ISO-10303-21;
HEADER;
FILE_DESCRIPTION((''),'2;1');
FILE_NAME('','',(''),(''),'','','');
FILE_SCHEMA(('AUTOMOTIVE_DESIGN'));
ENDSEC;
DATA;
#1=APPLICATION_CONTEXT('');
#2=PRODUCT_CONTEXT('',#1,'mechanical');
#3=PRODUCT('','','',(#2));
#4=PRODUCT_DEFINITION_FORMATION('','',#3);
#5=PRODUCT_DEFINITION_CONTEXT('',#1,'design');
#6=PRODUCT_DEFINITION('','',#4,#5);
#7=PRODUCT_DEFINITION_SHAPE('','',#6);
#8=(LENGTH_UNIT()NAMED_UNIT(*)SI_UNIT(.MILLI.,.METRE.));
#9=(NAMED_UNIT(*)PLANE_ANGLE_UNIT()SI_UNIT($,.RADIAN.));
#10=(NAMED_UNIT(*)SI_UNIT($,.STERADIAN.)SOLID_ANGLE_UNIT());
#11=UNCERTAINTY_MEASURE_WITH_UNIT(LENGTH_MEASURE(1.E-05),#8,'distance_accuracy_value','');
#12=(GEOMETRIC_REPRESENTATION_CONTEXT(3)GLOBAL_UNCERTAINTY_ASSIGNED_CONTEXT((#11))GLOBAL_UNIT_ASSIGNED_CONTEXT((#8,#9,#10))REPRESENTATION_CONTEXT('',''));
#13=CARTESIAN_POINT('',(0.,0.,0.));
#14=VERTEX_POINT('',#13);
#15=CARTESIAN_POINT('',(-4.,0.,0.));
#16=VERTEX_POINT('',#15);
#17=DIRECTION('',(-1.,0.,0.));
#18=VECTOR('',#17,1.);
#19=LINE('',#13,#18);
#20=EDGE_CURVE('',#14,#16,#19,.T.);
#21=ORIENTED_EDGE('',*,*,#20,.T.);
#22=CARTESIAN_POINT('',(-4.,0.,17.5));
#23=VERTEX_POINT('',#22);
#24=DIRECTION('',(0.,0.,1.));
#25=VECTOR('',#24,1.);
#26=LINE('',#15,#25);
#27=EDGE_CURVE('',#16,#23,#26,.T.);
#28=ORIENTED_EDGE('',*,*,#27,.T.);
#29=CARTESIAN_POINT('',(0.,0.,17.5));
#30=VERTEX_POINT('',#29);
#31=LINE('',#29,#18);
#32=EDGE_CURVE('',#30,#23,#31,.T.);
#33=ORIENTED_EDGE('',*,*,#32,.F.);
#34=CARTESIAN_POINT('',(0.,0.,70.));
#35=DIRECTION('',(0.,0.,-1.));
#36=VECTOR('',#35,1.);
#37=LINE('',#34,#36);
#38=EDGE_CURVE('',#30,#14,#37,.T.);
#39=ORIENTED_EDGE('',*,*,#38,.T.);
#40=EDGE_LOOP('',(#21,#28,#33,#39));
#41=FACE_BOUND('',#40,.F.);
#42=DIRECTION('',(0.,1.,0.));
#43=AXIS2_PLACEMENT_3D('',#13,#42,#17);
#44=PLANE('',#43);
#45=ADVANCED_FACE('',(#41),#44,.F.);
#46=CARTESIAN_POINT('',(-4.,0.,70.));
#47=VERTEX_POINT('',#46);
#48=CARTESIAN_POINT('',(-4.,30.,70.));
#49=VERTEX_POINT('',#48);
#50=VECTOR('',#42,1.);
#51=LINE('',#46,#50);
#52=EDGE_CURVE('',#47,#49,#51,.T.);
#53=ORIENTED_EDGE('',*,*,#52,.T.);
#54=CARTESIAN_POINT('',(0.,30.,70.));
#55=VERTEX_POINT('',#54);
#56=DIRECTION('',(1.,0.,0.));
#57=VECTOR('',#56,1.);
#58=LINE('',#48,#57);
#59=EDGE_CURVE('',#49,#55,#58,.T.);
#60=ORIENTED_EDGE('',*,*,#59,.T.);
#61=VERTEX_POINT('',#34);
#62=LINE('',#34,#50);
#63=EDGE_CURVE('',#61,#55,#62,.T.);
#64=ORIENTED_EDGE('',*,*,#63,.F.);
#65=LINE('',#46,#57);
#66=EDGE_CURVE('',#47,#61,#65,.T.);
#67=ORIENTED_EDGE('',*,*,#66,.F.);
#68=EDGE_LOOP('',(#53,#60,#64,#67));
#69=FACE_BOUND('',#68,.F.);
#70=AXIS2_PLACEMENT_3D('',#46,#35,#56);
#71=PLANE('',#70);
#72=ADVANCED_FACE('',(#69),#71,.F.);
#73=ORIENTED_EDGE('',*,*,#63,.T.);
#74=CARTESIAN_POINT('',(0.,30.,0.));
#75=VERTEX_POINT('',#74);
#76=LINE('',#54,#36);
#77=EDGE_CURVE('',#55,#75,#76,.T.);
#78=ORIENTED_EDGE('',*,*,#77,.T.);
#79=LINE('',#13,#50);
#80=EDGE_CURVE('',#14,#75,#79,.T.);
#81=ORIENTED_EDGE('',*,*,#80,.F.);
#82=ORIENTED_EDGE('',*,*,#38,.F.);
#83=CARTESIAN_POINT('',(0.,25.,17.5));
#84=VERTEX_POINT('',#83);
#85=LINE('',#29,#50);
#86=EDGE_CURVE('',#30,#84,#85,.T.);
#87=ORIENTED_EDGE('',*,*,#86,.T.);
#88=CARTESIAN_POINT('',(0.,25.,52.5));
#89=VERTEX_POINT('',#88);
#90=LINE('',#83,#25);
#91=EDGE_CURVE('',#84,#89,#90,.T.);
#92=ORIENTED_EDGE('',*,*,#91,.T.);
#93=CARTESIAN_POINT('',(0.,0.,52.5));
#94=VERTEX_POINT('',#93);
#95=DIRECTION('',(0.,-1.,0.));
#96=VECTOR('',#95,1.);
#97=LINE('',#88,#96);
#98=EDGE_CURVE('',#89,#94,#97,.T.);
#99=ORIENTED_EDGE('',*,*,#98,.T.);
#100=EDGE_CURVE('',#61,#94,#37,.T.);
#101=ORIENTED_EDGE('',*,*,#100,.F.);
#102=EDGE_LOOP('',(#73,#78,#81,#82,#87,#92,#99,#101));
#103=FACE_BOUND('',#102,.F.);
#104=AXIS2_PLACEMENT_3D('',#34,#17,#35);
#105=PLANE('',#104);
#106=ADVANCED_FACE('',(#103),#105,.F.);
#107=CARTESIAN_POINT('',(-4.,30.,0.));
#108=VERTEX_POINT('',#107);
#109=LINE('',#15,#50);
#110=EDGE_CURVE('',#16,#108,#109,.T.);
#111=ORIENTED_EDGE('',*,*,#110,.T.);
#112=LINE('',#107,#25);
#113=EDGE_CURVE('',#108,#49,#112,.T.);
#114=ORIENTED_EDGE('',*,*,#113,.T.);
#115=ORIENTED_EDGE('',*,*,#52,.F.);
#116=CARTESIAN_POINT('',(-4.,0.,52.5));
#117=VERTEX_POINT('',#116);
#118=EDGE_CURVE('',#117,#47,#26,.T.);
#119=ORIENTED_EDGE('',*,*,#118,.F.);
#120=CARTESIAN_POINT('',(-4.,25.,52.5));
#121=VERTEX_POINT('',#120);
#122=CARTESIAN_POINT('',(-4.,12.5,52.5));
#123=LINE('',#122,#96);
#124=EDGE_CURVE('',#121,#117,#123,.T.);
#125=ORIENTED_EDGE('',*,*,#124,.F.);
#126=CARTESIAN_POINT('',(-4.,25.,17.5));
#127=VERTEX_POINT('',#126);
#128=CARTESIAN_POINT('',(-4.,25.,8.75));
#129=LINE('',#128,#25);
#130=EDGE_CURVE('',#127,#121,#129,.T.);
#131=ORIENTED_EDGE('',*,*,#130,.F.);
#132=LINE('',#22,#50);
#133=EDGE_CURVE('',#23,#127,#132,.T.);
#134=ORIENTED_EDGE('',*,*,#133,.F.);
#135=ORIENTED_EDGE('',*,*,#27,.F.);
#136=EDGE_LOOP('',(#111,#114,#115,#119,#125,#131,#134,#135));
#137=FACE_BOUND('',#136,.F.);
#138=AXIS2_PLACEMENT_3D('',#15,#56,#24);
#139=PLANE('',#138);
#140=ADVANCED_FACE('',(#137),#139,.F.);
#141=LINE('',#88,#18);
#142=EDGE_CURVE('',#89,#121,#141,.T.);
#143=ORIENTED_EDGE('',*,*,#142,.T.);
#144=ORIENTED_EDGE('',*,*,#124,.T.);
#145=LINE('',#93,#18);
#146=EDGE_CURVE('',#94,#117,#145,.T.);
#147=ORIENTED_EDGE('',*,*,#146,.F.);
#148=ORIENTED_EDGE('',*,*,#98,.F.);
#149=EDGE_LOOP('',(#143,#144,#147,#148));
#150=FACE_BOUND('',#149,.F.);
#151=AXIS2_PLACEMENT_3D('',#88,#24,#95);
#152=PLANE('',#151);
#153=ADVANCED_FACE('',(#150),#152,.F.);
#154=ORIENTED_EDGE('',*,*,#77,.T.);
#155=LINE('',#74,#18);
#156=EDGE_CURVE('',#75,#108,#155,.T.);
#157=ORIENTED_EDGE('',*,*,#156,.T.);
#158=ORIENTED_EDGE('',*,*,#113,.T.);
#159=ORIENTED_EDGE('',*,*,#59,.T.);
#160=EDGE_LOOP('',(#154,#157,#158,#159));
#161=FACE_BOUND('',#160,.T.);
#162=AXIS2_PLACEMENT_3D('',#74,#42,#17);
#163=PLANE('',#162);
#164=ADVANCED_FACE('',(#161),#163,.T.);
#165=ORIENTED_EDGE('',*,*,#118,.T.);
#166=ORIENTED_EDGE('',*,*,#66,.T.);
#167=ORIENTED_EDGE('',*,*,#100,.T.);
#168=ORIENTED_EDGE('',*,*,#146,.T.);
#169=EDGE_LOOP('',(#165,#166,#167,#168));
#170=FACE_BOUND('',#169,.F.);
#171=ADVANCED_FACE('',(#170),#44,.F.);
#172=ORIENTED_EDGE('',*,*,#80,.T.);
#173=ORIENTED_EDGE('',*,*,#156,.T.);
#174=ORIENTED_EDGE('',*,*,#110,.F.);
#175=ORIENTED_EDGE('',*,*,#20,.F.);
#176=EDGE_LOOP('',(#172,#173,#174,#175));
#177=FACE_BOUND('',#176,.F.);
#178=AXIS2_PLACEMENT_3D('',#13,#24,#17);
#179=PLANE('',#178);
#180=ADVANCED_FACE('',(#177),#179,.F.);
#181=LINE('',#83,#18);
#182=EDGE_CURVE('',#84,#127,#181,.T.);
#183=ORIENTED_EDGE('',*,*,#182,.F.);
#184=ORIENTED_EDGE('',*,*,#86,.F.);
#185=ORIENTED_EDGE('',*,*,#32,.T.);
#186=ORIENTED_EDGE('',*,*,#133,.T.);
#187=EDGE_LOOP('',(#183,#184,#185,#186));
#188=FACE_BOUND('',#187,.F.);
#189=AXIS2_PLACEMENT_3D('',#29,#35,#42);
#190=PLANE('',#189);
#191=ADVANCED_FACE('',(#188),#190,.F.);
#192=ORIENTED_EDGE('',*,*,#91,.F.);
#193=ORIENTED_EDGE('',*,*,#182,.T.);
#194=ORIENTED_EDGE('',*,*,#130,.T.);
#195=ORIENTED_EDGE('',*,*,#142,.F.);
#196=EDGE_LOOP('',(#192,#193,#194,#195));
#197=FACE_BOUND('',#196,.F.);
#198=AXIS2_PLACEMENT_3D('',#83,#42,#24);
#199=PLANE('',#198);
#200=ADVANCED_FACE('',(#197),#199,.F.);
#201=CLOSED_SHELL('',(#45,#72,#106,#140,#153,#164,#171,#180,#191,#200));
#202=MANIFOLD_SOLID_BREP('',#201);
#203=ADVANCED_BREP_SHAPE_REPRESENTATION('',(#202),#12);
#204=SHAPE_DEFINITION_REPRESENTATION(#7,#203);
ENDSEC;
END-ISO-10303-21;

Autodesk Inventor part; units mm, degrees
ref_plane "YZ Plane" through (0, 0, 0) normal (1, 0, 0) x (0, 1, 0)
ref_plane "XZ Plane" through (0, 0, 0) normal (0, 1, 0) x (-1, 0, 0)
ref_plane "XY Plane" through (0, 0, 0) normal (0, 0, 1) x (1, 0, 0)
sketch "Эскиз1" plane through (0, 0, 0) normal (0, 1, 0) x (-1, 0, 0)
  line L0 (0, 0) -> (4, 0)
  line L1 (4, 0) -> (4, 70)
  line L2 (4, 70) -> (0, 70)
  line L3 (0, 70) -> (0, 0)
  dimension "d0" = 4
  dimension "d1" = 70
extrude "Выдавливание1" add sketch "Эскиз1" along normal blind 30
sketch "Эскиз2" plane through (0, 0, 70) normal (1, 0, 0) x (0, 0, -1)
  line L0 (70, 0) -> (0, 0) projected
  line L1 (17.5, 0) -> (52.5, 0)
  line L2 (52.5, 0) -> (52.5, 25)
  line L3 (52.5, 25) -> (17.5, 25)
  line L4 (17.5, 25) -> (17.5, 0)
  point P0 (35, 0)
  dimension "d4" = 35
  dimension "d5" = 25
extrude "Выдавливание2" cut sketch "Эскиз2" against normal blind 30
properties part number "перед"
